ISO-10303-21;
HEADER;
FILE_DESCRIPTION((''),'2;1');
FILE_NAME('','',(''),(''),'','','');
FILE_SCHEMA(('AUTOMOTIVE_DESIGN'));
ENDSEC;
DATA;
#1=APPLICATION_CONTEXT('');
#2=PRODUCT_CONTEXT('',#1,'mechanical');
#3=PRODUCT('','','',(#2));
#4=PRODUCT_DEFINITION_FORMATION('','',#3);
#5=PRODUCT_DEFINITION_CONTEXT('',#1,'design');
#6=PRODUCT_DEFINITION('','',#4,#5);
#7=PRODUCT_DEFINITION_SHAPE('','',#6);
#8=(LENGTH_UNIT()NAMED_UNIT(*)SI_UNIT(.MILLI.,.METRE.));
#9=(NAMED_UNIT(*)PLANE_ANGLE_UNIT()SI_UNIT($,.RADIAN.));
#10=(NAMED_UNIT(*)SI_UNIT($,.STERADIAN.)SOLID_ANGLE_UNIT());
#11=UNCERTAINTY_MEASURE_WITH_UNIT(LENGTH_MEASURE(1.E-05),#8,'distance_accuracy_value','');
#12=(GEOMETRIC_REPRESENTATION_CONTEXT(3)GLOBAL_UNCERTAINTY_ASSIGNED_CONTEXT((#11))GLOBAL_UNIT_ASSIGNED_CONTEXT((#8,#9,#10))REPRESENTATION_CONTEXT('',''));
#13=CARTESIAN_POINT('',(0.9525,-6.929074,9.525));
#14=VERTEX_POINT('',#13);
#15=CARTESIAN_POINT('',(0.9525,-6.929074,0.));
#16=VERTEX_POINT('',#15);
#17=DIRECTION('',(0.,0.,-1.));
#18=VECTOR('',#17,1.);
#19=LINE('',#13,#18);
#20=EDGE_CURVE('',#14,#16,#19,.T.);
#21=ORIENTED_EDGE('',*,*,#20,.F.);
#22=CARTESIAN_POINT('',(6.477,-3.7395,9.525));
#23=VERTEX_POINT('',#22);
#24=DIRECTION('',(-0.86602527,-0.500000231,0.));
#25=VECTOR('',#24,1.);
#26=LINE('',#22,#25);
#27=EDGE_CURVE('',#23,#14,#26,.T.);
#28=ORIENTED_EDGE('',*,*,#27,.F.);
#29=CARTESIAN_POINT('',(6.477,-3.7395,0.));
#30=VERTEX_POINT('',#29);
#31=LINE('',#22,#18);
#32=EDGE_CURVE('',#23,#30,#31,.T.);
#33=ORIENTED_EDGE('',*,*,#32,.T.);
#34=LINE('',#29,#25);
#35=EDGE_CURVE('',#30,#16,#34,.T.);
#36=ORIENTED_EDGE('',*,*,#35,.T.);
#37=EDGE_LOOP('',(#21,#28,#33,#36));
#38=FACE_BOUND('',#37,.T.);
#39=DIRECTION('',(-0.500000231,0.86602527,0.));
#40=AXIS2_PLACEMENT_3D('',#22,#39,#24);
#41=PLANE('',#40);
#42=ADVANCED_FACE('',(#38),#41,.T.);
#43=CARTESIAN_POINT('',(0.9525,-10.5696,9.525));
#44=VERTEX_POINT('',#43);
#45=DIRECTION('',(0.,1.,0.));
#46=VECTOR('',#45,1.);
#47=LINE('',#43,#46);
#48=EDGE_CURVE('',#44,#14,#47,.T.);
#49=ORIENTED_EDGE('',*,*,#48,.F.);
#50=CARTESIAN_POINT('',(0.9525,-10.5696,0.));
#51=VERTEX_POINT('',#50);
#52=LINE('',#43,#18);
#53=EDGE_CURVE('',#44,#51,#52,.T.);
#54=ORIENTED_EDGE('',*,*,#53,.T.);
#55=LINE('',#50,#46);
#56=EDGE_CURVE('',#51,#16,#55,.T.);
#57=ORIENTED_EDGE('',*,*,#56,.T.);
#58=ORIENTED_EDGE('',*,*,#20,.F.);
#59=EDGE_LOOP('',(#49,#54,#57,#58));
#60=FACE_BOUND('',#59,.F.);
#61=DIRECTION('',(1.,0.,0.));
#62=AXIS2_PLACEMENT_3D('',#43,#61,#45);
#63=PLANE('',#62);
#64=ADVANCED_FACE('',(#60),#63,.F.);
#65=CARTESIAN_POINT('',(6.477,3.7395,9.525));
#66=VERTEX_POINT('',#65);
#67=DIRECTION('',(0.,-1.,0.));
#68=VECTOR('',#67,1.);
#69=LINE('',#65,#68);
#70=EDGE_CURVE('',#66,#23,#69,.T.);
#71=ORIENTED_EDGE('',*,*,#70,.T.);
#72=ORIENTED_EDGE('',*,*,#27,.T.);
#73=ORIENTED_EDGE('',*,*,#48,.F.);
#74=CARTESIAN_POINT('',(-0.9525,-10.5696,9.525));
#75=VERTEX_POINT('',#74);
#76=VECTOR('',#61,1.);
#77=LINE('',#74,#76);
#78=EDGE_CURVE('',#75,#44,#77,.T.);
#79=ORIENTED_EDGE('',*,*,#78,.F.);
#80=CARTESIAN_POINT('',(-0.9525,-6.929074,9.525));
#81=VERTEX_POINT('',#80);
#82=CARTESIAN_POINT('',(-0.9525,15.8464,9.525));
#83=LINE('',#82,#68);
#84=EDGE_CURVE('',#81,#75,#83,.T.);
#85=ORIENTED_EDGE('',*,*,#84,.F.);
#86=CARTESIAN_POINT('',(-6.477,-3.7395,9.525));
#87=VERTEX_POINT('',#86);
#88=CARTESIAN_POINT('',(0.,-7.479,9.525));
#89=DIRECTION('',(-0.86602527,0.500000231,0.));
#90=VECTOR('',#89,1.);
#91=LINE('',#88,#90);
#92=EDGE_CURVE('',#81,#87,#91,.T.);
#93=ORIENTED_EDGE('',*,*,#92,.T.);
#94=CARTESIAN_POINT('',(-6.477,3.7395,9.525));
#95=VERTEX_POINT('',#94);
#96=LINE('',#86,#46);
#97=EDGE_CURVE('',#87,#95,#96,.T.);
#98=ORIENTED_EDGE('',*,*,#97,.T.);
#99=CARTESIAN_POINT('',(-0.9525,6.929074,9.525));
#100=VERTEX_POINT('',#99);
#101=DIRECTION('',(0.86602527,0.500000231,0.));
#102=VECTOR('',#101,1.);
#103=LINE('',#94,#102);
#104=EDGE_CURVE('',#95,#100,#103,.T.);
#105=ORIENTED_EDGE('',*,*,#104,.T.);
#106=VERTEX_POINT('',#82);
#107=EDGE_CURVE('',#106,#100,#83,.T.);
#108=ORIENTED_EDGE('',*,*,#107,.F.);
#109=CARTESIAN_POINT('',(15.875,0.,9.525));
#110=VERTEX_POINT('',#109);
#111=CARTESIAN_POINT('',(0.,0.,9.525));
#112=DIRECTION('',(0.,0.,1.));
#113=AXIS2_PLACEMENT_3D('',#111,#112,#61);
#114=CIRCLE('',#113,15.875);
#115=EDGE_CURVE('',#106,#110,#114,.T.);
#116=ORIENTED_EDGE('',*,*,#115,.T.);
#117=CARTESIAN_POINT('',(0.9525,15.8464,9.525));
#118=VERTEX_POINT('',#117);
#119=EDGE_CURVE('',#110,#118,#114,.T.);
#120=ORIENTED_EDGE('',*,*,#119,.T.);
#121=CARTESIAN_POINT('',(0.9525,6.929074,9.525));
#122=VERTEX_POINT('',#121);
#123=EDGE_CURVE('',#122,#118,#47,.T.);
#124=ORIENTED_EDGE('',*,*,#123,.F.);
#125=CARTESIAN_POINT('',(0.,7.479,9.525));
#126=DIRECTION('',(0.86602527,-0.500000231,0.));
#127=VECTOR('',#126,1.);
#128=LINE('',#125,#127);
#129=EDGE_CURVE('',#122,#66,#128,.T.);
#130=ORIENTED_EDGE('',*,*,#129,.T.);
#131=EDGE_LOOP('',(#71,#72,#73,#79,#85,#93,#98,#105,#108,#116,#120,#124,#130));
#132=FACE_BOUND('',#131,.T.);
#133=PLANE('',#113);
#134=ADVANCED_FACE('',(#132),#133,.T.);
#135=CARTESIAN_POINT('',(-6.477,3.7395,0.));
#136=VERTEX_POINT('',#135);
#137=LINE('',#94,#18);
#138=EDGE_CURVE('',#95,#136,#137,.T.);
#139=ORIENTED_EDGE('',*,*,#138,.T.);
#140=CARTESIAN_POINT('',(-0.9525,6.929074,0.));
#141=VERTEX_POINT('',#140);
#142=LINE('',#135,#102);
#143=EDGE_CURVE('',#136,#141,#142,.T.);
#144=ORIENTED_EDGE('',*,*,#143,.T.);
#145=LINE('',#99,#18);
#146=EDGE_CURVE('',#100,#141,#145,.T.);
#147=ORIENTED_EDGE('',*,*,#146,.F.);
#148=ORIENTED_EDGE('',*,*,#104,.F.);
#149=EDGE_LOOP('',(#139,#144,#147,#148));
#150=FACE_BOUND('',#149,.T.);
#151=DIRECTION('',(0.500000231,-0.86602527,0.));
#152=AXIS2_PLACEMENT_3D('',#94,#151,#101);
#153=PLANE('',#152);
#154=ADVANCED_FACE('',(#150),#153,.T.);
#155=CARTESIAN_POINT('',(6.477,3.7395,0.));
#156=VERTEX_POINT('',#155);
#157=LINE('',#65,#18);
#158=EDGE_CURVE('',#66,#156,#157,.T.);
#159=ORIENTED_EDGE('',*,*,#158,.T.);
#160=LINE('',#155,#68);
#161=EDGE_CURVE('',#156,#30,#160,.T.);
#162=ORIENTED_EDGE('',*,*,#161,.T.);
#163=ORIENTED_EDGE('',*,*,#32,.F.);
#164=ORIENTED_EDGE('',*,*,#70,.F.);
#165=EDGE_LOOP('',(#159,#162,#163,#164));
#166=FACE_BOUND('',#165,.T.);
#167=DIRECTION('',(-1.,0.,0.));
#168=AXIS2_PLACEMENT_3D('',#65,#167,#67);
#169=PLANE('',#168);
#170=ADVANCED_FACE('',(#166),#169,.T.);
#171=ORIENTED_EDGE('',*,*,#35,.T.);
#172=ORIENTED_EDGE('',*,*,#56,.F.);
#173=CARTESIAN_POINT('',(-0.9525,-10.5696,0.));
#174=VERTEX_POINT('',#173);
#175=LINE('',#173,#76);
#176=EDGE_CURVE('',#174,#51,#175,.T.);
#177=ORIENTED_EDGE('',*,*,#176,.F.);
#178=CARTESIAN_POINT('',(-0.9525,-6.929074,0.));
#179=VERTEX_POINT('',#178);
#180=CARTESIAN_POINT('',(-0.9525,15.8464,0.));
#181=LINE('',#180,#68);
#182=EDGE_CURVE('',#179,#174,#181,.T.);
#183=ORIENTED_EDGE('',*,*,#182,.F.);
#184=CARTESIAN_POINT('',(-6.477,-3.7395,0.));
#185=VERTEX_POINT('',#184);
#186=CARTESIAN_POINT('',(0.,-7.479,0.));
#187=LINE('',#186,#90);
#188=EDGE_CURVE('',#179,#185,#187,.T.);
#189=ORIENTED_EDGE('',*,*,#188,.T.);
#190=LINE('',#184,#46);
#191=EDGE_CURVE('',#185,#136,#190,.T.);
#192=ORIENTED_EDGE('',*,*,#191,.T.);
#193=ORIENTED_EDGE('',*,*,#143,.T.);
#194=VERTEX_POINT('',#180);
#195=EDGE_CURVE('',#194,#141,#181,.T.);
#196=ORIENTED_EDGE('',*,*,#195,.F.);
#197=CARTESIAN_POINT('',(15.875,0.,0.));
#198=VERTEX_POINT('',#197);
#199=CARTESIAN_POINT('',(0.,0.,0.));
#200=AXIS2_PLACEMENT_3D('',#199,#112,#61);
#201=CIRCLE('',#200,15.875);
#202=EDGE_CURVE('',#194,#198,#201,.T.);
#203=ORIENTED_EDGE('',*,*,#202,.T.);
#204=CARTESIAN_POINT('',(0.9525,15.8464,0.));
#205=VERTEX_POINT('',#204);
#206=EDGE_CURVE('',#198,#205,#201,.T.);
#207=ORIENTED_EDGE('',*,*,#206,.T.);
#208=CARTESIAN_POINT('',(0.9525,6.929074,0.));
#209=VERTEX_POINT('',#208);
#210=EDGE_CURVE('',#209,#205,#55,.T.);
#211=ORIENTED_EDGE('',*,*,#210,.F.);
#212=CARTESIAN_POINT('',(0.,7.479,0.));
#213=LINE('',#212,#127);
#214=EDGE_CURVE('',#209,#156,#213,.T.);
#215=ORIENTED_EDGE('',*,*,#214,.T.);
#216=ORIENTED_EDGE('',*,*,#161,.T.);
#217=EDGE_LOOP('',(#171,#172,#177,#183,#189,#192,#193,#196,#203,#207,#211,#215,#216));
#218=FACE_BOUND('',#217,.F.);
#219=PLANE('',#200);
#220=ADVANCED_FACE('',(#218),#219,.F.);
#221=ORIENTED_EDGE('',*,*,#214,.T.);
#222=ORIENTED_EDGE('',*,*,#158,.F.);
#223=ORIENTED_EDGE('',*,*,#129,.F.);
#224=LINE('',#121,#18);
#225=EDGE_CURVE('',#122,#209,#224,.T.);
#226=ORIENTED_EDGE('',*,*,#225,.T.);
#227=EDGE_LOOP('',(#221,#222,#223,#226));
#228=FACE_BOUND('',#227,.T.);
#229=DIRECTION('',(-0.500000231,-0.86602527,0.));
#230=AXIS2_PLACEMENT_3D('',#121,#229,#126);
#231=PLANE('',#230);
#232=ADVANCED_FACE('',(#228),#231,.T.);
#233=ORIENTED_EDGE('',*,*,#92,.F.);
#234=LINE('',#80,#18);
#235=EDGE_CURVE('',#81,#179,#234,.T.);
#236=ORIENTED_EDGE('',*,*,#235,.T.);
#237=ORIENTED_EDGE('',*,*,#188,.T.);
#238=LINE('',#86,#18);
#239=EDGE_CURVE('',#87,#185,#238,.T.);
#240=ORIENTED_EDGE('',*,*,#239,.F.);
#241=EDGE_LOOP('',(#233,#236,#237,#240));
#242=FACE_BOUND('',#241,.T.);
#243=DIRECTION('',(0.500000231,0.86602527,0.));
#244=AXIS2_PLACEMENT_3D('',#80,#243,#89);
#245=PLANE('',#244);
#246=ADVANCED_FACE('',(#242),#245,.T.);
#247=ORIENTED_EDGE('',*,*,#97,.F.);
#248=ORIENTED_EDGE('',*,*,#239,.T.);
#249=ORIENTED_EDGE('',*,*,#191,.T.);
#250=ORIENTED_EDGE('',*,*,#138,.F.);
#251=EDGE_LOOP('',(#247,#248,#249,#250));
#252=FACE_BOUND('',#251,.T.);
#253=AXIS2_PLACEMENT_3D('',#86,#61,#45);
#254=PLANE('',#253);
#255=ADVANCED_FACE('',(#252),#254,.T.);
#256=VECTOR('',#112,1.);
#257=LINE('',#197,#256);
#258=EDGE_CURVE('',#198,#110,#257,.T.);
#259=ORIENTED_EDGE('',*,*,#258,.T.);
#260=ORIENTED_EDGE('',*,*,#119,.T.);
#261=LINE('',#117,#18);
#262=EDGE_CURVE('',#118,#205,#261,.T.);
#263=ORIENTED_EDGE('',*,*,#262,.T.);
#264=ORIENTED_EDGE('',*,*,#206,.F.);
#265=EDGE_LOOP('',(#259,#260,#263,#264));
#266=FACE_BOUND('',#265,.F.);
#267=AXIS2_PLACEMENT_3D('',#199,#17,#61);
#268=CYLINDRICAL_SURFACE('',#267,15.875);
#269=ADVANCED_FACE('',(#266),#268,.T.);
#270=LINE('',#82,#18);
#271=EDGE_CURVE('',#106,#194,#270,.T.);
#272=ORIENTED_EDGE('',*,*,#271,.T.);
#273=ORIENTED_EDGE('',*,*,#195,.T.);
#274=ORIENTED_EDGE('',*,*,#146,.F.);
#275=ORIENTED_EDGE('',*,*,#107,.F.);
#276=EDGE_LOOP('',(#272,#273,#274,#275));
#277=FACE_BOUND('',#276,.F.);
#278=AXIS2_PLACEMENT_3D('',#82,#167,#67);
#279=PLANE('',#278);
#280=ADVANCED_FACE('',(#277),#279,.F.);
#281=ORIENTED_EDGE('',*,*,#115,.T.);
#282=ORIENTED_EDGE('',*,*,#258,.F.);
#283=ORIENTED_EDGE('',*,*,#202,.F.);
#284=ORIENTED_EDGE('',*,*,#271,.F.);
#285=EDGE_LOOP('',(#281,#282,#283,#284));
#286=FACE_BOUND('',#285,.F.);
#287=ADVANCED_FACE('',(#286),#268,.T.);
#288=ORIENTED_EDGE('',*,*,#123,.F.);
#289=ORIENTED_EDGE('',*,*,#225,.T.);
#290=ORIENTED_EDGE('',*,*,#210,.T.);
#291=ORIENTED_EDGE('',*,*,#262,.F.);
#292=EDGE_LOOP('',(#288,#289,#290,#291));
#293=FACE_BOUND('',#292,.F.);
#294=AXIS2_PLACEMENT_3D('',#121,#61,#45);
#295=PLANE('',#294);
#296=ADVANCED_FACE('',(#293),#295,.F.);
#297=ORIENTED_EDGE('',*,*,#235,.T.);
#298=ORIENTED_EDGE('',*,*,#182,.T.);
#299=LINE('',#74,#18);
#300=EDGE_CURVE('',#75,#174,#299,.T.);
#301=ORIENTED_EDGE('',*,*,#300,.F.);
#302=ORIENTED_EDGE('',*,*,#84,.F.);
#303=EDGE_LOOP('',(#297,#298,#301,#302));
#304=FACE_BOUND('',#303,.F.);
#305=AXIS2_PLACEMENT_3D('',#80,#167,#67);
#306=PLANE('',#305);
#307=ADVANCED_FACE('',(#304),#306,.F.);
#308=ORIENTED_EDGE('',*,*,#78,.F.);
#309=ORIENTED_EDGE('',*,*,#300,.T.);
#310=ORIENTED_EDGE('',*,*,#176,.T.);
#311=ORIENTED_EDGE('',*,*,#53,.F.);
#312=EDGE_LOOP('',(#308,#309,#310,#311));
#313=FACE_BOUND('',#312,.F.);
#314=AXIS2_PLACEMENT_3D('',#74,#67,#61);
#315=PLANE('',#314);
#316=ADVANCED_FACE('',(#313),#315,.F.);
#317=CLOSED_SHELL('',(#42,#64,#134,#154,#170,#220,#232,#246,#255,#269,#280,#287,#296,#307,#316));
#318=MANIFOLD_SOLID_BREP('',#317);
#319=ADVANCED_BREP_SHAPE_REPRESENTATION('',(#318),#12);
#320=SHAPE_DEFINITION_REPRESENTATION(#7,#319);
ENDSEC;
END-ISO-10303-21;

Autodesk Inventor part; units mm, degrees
ref_plane "YZ Plane" through (0, 0, 0) normal (1, 0, 0) x (0, 1, 0)
ref_plane "XZ Plane" through (0, 0, 0) normal (0, 1, 0) x (-1, 0, 0)
ref_plane "XY Plane" through (0, 0, 0) normal (0, 0, 1) x (1, 0, 0)
sketch "Sketch1" plane through (0, 0, 0) normal (0, 0, 1) x (1, 0, 0)
  circle A0 centre (0, 0) radius 15.875
  dimension "d0" = 31.75
extrude "Extrusion1" add sketch "Sketch1" along normal blind 9.525
sketch "Sketch2" plane through (0, 0, 9.525) normal (0, 0, 1) x (1, 0, 0)
  line L0 (-6.477, -3.7395) -> (-6.477, 3.7395)
  line L1 (-6.477, 3.7395) -> (0, 7.479)
  line L2 (0, 7.479) -> (6.477, 3.7395)
  line L3 (6.477, 3.7395) -> (6.477, -3.7395)
  line L4 (6.477, -3.7395) -> (0, -7.479)
  line L5 (0, -7.479) -> (-6.477, -3.7395)
  circle A0 centre (0, 0) radius 15.875 projected
  line L6 (-0.9525, 15.8464) -> (-0.9525, -10.5696)
  line L7 (-0.9525, -10.5696) -> (0.9525, -10.5696)
  line L8 (0.9525, -10.5696) -> (0.9525, 15.8464)
  arc A1 (0.9525, 15.8464) -> (-0.9525, 15.8464) centre (0, 0) ccw
  point P0 (-6.477, 0)
  dimension "d3" = 12.954
  dimension "d4" = 1.905
  dimension "d5" = 0.9525
  dimension "d6" = 26.416
extrude "Extrusion2" cut sketch "Sketch2" against normal blind 9.525 contours L0 L1 L6 L5 | L6 L1 L2 L8 L4 L5 | L5 L4 L8 L7 L6 | L6 A0 L8 L2 L1 | L8 L2 L3 L4
equation "\"d5\" = 0.5 * d4"
properties part number "Collar"
